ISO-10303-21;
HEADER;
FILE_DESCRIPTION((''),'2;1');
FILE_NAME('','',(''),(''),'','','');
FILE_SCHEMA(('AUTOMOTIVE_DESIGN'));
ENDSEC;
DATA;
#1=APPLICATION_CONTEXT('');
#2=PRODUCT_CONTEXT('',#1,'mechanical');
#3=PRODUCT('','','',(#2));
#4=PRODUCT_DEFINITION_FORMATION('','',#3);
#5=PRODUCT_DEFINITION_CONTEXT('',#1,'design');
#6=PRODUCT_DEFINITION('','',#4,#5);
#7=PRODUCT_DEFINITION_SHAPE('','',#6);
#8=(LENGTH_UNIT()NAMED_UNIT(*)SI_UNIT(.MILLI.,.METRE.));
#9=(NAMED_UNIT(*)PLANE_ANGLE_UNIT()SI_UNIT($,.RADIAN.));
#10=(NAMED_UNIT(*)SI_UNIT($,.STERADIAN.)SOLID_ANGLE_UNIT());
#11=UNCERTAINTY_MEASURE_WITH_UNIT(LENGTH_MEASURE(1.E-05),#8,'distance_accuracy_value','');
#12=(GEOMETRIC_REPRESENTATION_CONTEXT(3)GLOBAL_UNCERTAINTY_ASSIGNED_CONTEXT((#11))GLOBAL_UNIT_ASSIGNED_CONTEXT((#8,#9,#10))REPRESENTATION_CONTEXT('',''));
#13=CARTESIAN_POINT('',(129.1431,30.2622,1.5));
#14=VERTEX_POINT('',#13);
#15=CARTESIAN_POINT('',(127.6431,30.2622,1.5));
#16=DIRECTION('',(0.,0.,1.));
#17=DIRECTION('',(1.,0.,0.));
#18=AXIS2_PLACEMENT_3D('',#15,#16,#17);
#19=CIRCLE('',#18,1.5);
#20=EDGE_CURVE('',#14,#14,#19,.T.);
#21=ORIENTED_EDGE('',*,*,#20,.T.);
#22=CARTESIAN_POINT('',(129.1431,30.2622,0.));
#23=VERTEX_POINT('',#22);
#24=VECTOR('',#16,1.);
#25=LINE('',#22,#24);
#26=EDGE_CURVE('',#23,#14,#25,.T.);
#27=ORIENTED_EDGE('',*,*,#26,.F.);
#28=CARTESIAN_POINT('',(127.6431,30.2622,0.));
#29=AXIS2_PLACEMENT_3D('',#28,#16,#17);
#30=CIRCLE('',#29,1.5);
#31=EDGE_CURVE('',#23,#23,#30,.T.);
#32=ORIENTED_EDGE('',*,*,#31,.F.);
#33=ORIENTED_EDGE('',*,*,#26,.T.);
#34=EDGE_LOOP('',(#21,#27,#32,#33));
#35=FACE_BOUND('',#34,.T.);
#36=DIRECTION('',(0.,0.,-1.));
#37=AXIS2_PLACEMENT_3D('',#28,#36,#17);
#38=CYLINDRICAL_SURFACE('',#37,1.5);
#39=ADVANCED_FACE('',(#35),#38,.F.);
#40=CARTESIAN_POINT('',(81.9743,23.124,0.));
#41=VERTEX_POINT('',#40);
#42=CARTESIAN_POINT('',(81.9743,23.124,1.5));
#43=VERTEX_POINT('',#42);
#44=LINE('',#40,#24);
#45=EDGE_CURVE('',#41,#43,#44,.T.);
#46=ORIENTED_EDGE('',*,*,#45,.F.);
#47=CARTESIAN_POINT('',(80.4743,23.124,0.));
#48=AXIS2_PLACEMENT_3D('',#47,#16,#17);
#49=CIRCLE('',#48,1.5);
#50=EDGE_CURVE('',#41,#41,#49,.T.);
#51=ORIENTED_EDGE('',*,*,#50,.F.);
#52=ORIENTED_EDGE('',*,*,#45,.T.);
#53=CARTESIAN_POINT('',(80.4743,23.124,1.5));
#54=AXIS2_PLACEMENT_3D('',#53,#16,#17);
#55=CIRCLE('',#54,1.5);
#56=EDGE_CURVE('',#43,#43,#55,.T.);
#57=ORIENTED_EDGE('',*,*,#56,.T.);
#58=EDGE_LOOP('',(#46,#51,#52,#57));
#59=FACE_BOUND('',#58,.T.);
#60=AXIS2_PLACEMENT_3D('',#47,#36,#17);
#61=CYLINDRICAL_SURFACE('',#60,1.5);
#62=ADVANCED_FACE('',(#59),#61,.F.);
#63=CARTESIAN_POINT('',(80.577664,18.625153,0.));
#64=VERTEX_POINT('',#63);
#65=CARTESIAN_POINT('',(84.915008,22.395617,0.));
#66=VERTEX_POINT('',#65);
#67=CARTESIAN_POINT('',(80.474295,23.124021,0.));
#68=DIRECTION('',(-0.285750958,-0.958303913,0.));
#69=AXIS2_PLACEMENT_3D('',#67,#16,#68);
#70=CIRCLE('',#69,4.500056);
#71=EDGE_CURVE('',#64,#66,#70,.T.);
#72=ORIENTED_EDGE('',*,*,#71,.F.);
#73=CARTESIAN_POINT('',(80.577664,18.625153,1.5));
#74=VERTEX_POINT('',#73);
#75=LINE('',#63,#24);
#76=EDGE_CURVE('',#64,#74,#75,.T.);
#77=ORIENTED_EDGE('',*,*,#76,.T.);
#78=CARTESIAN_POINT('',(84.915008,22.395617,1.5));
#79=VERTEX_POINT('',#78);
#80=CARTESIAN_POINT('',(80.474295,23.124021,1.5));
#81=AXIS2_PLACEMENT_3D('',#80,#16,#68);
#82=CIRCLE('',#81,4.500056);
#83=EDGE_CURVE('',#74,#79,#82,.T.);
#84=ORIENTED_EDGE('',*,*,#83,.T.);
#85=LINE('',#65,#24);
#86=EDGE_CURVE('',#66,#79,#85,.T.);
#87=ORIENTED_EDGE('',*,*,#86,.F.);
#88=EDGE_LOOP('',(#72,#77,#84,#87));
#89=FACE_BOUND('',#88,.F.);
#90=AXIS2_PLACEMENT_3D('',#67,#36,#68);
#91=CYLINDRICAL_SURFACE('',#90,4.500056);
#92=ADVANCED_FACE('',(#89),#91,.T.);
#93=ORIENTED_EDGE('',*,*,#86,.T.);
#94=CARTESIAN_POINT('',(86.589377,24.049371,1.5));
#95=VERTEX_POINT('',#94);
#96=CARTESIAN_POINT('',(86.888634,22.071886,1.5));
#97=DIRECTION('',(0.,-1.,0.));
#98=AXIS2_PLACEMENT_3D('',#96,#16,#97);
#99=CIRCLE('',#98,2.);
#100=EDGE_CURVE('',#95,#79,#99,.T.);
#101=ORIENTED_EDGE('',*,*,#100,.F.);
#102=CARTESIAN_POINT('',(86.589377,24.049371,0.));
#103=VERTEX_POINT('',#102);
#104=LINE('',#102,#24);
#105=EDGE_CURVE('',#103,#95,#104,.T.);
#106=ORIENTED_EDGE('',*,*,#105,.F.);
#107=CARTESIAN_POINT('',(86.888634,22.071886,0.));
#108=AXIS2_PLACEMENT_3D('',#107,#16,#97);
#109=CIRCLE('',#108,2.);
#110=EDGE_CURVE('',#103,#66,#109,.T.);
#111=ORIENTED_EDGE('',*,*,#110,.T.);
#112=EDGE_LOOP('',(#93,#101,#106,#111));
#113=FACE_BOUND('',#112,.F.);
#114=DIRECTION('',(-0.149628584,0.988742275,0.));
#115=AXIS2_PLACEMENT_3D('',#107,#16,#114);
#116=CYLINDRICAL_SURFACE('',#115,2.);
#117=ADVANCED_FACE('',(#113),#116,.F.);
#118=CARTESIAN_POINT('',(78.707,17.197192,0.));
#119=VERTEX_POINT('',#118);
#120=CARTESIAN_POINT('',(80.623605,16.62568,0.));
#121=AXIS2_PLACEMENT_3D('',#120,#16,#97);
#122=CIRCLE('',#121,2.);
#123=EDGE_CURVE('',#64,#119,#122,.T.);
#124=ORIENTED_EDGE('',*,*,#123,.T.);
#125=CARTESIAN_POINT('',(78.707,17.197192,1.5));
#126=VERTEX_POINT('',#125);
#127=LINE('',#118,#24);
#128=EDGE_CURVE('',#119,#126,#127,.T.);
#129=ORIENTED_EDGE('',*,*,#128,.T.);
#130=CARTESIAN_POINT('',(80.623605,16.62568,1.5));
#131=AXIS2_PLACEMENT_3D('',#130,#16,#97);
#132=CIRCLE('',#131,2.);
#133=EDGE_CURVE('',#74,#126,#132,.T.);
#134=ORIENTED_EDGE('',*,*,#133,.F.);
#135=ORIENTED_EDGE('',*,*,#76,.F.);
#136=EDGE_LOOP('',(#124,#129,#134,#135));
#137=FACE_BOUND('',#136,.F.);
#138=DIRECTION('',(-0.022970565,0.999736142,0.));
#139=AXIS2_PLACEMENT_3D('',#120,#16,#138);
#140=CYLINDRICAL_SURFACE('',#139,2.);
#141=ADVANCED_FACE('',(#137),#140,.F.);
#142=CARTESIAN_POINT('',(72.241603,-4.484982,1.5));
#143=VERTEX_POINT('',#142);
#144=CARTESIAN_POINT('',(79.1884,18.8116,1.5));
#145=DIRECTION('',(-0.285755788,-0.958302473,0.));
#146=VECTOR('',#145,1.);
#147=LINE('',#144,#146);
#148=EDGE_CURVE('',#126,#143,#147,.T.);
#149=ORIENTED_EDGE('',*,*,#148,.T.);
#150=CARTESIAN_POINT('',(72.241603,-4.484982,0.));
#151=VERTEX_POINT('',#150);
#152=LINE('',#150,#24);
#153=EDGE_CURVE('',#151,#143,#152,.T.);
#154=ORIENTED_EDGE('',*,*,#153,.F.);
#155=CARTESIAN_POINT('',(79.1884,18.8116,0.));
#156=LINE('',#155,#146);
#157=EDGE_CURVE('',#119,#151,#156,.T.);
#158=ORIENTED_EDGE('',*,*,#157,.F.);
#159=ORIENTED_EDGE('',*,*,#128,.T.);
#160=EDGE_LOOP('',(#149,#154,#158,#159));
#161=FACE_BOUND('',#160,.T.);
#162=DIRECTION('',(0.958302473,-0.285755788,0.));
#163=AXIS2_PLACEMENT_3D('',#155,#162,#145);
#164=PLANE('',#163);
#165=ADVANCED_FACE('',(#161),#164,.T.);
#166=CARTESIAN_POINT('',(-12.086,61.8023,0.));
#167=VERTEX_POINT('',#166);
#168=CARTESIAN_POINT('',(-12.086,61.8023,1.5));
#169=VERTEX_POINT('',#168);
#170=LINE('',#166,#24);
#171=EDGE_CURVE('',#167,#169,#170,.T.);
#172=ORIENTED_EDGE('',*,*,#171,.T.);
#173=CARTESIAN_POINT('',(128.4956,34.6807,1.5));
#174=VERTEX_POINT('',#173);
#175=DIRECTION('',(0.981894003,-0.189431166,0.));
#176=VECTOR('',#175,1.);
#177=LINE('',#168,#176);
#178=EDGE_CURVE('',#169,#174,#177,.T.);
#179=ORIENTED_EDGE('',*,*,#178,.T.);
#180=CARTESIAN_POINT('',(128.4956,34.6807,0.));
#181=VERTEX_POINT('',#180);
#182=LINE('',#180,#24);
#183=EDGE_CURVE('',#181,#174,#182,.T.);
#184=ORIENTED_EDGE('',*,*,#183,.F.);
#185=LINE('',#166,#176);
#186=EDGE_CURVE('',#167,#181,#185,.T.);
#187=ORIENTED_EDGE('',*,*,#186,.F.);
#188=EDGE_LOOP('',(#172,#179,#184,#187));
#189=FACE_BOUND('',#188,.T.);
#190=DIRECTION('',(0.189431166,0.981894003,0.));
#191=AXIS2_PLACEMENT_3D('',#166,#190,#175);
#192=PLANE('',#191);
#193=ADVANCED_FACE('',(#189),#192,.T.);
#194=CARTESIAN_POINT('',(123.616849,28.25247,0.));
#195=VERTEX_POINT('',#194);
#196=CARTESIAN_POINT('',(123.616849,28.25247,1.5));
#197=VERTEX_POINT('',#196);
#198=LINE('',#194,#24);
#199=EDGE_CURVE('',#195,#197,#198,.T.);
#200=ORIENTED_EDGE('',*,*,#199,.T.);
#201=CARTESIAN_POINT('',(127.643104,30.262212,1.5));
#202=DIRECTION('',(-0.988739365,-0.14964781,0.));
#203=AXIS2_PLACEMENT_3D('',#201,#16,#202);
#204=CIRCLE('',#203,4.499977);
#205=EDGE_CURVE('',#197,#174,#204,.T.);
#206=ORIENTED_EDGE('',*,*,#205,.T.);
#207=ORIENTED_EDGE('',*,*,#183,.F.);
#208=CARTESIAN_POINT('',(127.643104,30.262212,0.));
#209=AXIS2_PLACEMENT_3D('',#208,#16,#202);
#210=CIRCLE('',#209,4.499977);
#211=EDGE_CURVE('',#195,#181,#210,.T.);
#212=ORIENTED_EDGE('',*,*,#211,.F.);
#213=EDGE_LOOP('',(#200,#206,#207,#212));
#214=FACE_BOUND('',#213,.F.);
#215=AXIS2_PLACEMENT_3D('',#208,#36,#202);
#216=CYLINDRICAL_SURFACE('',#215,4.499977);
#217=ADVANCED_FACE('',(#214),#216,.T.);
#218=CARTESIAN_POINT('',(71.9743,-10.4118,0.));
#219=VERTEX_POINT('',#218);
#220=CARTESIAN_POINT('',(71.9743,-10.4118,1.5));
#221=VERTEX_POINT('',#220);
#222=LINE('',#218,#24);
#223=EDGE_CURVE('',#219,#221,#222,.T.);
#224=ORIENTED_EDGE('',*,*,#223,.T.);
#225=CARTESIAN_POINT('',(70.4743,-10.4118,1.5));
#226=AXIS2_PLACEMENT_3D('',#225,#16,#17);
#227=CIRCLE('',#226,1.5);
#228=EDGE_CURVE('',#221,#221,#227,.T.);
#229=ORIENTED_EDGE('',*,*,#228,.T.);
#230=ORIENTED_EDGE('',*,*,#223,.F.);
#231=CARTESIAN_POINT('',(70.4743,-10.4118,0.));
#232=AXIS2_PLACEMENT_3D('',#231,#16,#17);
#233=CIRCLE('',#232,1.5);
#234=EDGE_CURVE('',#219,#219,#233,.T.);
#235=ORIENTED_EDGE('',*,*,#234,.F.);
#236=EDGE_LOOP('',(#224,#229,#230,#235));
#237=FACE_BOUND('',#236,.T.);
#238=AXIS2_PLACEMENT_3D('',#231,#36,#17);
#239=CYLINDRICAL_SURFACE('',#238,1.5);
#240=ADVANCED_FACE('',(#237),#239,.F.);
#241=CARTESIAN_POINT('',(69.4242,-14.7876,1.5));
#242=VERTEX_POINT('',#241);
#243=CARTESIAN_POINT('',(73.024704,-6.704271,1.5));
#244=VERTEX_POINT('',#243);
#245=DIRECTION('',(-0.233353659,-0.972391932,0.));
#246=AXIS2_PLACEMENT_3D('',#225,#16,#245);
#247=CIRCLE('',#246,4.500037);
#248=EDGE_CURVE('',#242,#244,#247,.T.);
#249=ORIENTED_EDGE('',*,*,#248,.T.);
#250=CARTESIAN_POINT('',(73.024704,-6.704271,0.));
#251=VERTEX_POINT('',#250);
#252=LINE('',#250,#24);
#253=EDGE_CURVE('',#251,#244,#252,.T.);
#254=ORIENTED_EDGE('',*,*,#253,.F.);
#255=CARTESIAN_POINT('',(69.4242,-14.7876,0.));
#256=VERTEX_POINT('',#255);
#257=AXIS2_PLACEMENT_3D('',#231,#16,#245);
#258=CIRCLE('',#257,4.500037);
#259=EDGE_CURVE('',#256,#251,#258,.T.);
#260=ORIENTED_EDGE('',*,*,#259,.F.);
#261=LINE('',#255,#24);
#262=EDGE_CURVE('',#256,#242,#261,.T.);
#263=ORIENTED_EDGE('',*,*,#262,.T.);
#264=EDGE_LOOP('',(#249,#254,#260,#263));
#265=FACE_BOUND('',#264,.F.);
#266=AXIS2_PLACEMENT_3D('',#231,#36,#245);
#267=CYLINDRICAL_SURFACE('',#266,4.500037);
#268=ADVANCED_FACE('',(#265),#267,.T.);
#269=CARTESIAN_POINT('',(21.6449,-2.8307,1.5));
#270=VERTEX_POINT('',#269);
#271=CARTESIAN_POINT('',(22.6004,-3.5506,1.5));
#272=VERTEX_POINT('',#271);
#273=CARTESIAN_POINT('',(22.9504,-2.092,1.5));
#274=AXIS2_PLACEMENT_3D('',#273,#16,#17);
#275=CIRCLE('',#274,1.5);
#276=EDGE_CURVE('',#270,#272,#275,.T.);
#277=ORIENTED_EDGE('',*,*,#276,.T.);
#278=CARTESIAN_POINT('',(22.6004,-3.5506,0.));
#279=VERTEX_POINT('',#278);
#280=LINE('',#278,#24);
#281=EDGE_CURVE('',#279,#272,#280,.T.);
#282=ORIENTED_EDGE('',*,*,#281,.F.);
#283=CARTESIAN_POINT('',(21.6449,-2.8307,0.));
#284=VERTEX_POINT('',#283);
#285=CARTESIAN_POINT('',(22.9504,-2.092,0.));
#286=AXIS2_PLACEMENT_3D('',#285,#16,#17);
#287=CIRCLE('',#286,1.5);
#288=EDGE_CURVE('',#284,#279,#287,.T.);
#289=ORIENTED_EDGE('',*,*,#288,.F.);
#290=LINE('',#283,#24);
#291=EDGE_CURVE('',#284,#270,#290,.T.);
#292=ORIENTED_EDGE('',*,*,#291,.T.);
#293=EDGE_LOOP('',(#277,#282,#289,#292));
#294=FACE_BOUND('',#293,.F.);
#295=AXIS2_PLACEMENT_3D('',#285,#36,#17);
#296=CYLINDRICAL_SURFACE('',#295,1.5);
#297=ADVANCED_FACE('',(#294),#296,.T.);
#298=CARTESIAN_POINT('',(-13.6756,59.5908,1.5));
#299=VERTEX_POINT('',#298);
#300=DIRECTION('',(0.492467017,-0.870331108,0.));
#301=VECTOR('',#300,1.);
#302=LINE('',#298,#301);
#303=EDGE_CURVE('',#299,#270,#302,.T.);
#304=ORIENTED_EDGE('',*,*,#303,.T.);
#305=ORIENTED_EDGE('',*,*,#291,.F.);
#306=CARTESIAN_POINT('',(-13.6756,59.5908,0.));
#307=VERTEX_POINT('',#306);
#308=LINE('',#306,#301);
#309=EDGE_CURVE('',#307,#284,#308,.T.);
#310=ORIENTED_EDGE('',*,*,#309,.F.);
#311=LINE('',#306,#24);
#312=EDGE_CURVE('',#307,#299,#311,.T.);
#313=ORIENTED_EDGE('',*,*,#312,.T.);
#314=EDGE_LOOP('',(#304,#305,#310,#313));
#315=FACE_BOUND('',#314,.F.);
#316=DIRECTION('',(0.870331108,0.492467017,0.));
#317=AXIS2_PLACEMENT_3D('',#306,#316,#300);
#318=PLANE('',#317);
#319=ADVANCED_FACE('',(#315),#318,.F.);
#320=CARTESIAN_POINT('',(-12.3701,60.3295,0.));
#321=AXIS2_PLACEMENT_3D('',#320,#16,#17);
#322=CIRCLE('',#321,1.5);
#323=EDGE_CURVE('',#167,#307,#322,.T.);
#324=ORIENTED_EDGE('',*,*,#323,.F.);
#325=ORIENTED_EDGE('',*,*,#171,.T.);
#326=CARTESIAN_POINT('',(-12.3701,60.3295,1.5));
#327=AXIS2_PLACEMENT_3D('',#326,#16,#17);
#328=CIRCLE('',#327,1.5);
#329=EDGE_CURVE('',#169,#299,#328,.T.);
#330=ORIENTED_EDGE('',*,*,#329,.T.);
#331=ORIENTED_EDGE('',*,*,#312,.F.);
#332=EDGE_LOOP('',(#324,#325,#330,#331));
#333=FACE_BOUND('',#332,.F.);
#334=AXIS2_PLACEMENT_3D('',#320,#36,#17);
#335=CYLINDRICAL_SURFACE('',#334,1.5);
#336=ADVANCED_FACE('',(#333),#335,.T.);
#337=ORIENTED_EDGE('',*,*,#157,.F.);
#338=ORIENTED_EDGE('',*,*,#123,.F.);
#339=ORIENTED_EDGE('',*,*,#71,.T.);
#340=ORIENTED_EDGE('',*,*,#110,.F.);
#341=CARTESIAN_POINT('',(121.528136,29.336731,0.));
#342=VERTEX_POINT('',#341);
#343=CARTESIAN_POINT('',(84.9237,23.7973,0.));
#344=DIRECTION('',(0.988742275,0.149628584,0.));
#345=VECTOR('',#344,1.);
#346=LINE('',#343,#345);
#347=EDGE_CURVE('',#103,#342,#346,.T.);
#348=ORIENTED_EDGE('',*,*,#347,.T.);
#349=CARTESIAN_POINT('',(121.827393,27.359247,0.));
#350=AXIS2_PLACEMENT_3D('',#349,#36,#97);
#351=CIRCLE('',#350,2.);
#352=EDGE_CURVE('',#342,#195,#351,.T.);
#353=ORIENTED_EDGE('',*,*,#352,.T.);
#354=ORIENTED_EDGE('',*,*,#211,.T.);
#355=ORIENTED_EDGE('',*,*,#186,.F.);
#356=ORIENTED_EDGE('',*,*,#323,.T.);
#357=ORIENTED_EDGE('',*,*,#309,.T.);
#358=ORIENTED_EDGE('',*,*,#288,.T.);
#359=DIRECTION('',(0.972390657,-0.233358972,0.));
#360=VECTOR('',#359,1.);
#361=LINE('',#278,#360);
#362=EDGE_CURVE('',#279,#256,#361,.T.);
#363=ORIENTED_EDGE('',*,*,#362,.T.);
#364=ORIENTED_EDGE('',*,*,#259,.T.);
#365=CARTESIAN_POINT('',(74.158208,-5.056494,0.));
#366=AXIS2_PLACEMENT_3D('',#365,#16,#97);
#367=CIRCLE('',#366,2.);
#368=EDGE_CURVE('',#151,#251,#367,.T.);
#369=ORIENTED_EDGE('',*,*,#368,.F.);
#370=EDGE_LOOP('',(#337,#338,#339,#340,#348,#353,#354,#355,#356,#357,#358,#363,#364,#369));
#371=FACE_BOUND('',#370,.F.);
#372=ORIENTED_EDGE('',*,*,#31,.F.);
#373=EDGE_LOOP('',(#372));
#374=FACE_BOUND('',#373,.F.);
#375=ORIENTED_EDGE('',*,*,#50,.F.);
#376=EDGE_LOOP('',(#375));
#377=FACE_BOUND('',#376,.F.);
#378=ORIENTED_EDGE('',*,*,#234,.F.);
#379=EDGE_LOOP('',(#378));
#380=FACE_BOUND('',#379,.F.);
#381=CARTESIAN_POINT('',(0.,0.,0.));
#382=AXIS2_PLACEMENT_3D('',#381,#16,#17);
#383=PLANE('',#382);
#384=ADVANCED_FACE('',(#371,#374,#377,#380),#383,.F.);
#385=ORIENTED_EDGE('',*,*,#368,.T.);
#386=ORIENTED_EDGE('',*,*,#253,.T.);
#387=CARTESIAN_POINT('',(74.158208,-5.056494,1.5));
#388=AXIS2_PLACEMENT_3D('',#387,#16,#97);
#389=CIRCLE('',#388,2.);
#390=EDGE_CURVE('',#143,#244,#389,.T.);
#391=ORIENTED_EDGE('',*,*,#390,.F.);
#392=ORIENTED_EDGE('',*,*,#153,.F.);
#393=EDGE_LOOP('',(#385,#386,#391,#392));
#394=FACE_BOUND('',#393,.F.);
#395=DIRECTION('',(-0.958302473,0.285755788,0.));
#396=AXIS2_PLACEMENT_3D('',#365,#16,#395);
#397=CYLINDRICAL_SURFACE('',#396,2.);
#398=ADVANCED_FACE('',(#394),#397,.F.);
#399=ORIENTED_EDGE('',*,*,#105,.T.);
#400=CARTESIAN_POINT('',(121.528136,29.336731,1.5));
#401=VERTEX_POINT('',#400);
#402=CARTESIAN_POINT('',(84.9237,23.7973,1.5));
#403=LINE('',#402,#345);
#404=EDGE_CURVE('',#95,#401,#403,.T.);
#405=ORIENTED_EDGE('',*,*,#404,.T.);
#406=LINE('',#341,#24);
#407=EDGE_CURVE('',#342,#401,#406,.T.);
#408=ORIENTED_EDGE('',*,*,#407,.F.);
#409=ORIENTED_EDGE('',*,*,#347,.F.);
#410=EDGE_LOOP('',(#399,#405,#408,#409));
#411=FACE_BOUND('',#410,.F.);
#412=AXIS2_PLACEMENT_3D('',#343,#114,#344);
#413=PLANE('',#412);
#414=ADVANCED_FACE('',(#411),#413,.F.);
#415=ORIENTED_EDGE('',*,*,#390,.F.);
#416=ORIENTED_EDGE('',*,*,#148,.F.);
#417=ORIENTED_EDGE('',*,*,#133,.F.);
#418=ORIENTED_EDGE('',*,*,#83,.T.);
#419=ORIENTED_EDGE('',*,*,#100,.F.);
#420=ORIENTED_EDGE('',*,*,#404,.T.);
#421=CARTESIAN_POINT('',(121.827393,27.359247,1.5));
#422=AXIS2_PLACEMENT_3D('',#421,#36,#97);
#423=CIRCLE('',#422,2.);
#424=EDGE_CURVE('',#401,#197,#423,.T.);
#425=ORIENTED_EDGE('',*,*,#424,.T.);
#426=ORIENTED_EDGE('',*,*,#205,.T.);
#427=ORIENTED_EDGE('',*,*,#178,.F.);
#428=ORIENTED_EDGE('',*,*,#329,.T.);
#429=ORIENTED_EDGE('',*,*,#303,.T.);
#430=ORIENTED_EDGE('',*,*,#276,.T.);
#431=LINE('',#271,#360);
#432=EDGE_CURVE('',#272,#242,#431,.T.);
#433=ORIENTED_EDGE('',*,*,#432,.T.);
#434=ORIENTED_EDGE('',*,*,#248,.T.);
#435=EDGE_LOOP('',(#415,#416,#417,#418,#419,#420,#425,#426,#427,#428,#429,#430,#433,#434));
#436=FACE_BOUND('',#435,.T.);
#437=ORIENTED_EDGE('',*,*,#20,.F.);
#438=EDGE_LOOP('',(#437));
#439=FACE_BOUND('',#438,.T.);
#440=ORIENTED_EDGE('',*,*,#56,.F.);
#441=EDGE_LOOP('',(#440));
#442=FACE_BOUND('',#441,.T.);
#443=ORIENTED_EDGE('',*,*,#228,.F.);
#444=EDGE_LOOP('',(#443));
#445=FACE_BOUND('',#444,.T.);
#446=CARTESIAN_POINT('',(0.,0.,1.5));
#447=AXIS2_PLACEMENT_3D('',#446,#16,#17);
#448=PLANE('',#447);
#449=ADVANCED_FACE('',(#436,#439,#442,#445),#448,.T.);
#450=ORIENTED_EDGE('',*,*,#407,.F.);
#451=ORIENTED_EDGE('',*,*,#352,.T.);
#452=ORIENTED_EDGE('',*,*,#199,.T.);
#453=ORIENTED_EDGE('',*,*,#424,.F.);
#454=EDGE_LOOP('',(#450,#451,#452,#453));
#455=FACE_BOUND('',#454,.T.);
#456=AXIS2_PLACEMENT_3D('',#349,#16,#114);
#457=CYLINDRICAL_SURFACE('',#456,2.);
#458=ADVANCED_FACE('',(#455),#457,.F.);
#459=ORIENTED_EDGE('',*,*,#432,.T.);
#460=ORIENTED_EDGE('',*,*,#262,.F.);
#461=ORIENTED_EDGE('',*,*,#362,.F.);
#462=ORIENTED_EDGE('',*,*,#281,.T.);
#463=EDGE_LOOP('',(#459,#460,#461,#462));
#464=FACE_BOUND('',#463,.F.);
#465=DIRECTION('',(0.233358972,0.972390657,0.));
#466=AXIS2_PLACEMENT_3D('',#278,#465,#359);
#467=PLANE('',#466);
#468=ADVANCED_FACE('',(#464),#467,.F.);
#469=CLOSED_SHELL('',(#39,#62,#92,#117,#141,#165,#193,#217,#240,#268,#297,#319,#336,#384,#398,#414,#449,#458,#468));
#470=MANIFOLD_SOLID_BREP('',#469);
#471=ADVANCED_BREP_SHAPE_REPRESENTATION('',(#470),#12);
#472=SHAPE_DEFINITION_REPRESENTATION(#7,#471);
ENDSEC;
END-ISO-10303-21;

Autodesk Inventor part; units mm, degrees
ref_plane "YZ Plane" through (0, 0, 0) normal (1, 0, 0) x (0, 1, 0)
ref_plane "XZ Plane" through (0, 0, 0) normal (0, 1, 0) x (-1, 0, 0)
ref_plane "XY Plane" through (0, 0, 0) normal (0, 0, 1) x (1, 0, 0)
sketch "スケッチ1" plane through (0, 0, 0) normal (0, 0, 1) x (1, 0, 0)
  circle A0 centre (70.4743, -10.4118) radius 1.5
  circle A1 centre (127.6431, 30.2622) radius 1.5
  circle A2 centre (80.4743, 23.124) radius 1.5
  arc A3 (123.1938, 29.5888) -> (128.4956, 34.6807) centre (127.6431, 30.2622) ccw
  arc A4 (79.1884, 18.8116) -> (84.9237, 23.7973) centre (80.4743, 23.124) ccw
  arc A5 (69.4242, -14.7876) -> (71.7602, -6.0994) centre (70.4743, -10.4118) ccw
  line L0 (79.1884, 18.8116) -> (71.7602, -6.0994)
  line L1 (84.9237, 23.7973) -> (123.1938, 29.5888)
  circle A6 centre (-12.3701, 60.3295) radius 1.5
  line L2 (-12.086, 61.8023) -> (128.4956, 34.6807)
  line L3 (-13.6756, 59.5908) -> (21.6449, -2.8307)
  circle A7 centre (22.9504, -2.092) radius 1.5
  line L4 (22.6004, -3.5506) -> (69.4242, -14.7876)
  line L5 (69.4242, -14.7876) -> (108.6075, -24.1909)
  point P0 (0, 0)
  point P1 (0, 0)
  dimension "d0" = 3
  dimension "d1" = 3
  dimension "d2" = 4.5
  dimension "d3" = 4.5
extrude "押し出し1" add sketch "スケッチ1" along normal blind 1.5
fillet "フィレット1" radius 2 4 edges at (84.9237, 23.7973, 0.75) (79.1884, 18.8116, 0.75) (71.7602, -6.0994, 0.75) (123.1938, 29.5888, 0.75)
properties part number "前足カバー" material "ポリカーボネート、クリア"
